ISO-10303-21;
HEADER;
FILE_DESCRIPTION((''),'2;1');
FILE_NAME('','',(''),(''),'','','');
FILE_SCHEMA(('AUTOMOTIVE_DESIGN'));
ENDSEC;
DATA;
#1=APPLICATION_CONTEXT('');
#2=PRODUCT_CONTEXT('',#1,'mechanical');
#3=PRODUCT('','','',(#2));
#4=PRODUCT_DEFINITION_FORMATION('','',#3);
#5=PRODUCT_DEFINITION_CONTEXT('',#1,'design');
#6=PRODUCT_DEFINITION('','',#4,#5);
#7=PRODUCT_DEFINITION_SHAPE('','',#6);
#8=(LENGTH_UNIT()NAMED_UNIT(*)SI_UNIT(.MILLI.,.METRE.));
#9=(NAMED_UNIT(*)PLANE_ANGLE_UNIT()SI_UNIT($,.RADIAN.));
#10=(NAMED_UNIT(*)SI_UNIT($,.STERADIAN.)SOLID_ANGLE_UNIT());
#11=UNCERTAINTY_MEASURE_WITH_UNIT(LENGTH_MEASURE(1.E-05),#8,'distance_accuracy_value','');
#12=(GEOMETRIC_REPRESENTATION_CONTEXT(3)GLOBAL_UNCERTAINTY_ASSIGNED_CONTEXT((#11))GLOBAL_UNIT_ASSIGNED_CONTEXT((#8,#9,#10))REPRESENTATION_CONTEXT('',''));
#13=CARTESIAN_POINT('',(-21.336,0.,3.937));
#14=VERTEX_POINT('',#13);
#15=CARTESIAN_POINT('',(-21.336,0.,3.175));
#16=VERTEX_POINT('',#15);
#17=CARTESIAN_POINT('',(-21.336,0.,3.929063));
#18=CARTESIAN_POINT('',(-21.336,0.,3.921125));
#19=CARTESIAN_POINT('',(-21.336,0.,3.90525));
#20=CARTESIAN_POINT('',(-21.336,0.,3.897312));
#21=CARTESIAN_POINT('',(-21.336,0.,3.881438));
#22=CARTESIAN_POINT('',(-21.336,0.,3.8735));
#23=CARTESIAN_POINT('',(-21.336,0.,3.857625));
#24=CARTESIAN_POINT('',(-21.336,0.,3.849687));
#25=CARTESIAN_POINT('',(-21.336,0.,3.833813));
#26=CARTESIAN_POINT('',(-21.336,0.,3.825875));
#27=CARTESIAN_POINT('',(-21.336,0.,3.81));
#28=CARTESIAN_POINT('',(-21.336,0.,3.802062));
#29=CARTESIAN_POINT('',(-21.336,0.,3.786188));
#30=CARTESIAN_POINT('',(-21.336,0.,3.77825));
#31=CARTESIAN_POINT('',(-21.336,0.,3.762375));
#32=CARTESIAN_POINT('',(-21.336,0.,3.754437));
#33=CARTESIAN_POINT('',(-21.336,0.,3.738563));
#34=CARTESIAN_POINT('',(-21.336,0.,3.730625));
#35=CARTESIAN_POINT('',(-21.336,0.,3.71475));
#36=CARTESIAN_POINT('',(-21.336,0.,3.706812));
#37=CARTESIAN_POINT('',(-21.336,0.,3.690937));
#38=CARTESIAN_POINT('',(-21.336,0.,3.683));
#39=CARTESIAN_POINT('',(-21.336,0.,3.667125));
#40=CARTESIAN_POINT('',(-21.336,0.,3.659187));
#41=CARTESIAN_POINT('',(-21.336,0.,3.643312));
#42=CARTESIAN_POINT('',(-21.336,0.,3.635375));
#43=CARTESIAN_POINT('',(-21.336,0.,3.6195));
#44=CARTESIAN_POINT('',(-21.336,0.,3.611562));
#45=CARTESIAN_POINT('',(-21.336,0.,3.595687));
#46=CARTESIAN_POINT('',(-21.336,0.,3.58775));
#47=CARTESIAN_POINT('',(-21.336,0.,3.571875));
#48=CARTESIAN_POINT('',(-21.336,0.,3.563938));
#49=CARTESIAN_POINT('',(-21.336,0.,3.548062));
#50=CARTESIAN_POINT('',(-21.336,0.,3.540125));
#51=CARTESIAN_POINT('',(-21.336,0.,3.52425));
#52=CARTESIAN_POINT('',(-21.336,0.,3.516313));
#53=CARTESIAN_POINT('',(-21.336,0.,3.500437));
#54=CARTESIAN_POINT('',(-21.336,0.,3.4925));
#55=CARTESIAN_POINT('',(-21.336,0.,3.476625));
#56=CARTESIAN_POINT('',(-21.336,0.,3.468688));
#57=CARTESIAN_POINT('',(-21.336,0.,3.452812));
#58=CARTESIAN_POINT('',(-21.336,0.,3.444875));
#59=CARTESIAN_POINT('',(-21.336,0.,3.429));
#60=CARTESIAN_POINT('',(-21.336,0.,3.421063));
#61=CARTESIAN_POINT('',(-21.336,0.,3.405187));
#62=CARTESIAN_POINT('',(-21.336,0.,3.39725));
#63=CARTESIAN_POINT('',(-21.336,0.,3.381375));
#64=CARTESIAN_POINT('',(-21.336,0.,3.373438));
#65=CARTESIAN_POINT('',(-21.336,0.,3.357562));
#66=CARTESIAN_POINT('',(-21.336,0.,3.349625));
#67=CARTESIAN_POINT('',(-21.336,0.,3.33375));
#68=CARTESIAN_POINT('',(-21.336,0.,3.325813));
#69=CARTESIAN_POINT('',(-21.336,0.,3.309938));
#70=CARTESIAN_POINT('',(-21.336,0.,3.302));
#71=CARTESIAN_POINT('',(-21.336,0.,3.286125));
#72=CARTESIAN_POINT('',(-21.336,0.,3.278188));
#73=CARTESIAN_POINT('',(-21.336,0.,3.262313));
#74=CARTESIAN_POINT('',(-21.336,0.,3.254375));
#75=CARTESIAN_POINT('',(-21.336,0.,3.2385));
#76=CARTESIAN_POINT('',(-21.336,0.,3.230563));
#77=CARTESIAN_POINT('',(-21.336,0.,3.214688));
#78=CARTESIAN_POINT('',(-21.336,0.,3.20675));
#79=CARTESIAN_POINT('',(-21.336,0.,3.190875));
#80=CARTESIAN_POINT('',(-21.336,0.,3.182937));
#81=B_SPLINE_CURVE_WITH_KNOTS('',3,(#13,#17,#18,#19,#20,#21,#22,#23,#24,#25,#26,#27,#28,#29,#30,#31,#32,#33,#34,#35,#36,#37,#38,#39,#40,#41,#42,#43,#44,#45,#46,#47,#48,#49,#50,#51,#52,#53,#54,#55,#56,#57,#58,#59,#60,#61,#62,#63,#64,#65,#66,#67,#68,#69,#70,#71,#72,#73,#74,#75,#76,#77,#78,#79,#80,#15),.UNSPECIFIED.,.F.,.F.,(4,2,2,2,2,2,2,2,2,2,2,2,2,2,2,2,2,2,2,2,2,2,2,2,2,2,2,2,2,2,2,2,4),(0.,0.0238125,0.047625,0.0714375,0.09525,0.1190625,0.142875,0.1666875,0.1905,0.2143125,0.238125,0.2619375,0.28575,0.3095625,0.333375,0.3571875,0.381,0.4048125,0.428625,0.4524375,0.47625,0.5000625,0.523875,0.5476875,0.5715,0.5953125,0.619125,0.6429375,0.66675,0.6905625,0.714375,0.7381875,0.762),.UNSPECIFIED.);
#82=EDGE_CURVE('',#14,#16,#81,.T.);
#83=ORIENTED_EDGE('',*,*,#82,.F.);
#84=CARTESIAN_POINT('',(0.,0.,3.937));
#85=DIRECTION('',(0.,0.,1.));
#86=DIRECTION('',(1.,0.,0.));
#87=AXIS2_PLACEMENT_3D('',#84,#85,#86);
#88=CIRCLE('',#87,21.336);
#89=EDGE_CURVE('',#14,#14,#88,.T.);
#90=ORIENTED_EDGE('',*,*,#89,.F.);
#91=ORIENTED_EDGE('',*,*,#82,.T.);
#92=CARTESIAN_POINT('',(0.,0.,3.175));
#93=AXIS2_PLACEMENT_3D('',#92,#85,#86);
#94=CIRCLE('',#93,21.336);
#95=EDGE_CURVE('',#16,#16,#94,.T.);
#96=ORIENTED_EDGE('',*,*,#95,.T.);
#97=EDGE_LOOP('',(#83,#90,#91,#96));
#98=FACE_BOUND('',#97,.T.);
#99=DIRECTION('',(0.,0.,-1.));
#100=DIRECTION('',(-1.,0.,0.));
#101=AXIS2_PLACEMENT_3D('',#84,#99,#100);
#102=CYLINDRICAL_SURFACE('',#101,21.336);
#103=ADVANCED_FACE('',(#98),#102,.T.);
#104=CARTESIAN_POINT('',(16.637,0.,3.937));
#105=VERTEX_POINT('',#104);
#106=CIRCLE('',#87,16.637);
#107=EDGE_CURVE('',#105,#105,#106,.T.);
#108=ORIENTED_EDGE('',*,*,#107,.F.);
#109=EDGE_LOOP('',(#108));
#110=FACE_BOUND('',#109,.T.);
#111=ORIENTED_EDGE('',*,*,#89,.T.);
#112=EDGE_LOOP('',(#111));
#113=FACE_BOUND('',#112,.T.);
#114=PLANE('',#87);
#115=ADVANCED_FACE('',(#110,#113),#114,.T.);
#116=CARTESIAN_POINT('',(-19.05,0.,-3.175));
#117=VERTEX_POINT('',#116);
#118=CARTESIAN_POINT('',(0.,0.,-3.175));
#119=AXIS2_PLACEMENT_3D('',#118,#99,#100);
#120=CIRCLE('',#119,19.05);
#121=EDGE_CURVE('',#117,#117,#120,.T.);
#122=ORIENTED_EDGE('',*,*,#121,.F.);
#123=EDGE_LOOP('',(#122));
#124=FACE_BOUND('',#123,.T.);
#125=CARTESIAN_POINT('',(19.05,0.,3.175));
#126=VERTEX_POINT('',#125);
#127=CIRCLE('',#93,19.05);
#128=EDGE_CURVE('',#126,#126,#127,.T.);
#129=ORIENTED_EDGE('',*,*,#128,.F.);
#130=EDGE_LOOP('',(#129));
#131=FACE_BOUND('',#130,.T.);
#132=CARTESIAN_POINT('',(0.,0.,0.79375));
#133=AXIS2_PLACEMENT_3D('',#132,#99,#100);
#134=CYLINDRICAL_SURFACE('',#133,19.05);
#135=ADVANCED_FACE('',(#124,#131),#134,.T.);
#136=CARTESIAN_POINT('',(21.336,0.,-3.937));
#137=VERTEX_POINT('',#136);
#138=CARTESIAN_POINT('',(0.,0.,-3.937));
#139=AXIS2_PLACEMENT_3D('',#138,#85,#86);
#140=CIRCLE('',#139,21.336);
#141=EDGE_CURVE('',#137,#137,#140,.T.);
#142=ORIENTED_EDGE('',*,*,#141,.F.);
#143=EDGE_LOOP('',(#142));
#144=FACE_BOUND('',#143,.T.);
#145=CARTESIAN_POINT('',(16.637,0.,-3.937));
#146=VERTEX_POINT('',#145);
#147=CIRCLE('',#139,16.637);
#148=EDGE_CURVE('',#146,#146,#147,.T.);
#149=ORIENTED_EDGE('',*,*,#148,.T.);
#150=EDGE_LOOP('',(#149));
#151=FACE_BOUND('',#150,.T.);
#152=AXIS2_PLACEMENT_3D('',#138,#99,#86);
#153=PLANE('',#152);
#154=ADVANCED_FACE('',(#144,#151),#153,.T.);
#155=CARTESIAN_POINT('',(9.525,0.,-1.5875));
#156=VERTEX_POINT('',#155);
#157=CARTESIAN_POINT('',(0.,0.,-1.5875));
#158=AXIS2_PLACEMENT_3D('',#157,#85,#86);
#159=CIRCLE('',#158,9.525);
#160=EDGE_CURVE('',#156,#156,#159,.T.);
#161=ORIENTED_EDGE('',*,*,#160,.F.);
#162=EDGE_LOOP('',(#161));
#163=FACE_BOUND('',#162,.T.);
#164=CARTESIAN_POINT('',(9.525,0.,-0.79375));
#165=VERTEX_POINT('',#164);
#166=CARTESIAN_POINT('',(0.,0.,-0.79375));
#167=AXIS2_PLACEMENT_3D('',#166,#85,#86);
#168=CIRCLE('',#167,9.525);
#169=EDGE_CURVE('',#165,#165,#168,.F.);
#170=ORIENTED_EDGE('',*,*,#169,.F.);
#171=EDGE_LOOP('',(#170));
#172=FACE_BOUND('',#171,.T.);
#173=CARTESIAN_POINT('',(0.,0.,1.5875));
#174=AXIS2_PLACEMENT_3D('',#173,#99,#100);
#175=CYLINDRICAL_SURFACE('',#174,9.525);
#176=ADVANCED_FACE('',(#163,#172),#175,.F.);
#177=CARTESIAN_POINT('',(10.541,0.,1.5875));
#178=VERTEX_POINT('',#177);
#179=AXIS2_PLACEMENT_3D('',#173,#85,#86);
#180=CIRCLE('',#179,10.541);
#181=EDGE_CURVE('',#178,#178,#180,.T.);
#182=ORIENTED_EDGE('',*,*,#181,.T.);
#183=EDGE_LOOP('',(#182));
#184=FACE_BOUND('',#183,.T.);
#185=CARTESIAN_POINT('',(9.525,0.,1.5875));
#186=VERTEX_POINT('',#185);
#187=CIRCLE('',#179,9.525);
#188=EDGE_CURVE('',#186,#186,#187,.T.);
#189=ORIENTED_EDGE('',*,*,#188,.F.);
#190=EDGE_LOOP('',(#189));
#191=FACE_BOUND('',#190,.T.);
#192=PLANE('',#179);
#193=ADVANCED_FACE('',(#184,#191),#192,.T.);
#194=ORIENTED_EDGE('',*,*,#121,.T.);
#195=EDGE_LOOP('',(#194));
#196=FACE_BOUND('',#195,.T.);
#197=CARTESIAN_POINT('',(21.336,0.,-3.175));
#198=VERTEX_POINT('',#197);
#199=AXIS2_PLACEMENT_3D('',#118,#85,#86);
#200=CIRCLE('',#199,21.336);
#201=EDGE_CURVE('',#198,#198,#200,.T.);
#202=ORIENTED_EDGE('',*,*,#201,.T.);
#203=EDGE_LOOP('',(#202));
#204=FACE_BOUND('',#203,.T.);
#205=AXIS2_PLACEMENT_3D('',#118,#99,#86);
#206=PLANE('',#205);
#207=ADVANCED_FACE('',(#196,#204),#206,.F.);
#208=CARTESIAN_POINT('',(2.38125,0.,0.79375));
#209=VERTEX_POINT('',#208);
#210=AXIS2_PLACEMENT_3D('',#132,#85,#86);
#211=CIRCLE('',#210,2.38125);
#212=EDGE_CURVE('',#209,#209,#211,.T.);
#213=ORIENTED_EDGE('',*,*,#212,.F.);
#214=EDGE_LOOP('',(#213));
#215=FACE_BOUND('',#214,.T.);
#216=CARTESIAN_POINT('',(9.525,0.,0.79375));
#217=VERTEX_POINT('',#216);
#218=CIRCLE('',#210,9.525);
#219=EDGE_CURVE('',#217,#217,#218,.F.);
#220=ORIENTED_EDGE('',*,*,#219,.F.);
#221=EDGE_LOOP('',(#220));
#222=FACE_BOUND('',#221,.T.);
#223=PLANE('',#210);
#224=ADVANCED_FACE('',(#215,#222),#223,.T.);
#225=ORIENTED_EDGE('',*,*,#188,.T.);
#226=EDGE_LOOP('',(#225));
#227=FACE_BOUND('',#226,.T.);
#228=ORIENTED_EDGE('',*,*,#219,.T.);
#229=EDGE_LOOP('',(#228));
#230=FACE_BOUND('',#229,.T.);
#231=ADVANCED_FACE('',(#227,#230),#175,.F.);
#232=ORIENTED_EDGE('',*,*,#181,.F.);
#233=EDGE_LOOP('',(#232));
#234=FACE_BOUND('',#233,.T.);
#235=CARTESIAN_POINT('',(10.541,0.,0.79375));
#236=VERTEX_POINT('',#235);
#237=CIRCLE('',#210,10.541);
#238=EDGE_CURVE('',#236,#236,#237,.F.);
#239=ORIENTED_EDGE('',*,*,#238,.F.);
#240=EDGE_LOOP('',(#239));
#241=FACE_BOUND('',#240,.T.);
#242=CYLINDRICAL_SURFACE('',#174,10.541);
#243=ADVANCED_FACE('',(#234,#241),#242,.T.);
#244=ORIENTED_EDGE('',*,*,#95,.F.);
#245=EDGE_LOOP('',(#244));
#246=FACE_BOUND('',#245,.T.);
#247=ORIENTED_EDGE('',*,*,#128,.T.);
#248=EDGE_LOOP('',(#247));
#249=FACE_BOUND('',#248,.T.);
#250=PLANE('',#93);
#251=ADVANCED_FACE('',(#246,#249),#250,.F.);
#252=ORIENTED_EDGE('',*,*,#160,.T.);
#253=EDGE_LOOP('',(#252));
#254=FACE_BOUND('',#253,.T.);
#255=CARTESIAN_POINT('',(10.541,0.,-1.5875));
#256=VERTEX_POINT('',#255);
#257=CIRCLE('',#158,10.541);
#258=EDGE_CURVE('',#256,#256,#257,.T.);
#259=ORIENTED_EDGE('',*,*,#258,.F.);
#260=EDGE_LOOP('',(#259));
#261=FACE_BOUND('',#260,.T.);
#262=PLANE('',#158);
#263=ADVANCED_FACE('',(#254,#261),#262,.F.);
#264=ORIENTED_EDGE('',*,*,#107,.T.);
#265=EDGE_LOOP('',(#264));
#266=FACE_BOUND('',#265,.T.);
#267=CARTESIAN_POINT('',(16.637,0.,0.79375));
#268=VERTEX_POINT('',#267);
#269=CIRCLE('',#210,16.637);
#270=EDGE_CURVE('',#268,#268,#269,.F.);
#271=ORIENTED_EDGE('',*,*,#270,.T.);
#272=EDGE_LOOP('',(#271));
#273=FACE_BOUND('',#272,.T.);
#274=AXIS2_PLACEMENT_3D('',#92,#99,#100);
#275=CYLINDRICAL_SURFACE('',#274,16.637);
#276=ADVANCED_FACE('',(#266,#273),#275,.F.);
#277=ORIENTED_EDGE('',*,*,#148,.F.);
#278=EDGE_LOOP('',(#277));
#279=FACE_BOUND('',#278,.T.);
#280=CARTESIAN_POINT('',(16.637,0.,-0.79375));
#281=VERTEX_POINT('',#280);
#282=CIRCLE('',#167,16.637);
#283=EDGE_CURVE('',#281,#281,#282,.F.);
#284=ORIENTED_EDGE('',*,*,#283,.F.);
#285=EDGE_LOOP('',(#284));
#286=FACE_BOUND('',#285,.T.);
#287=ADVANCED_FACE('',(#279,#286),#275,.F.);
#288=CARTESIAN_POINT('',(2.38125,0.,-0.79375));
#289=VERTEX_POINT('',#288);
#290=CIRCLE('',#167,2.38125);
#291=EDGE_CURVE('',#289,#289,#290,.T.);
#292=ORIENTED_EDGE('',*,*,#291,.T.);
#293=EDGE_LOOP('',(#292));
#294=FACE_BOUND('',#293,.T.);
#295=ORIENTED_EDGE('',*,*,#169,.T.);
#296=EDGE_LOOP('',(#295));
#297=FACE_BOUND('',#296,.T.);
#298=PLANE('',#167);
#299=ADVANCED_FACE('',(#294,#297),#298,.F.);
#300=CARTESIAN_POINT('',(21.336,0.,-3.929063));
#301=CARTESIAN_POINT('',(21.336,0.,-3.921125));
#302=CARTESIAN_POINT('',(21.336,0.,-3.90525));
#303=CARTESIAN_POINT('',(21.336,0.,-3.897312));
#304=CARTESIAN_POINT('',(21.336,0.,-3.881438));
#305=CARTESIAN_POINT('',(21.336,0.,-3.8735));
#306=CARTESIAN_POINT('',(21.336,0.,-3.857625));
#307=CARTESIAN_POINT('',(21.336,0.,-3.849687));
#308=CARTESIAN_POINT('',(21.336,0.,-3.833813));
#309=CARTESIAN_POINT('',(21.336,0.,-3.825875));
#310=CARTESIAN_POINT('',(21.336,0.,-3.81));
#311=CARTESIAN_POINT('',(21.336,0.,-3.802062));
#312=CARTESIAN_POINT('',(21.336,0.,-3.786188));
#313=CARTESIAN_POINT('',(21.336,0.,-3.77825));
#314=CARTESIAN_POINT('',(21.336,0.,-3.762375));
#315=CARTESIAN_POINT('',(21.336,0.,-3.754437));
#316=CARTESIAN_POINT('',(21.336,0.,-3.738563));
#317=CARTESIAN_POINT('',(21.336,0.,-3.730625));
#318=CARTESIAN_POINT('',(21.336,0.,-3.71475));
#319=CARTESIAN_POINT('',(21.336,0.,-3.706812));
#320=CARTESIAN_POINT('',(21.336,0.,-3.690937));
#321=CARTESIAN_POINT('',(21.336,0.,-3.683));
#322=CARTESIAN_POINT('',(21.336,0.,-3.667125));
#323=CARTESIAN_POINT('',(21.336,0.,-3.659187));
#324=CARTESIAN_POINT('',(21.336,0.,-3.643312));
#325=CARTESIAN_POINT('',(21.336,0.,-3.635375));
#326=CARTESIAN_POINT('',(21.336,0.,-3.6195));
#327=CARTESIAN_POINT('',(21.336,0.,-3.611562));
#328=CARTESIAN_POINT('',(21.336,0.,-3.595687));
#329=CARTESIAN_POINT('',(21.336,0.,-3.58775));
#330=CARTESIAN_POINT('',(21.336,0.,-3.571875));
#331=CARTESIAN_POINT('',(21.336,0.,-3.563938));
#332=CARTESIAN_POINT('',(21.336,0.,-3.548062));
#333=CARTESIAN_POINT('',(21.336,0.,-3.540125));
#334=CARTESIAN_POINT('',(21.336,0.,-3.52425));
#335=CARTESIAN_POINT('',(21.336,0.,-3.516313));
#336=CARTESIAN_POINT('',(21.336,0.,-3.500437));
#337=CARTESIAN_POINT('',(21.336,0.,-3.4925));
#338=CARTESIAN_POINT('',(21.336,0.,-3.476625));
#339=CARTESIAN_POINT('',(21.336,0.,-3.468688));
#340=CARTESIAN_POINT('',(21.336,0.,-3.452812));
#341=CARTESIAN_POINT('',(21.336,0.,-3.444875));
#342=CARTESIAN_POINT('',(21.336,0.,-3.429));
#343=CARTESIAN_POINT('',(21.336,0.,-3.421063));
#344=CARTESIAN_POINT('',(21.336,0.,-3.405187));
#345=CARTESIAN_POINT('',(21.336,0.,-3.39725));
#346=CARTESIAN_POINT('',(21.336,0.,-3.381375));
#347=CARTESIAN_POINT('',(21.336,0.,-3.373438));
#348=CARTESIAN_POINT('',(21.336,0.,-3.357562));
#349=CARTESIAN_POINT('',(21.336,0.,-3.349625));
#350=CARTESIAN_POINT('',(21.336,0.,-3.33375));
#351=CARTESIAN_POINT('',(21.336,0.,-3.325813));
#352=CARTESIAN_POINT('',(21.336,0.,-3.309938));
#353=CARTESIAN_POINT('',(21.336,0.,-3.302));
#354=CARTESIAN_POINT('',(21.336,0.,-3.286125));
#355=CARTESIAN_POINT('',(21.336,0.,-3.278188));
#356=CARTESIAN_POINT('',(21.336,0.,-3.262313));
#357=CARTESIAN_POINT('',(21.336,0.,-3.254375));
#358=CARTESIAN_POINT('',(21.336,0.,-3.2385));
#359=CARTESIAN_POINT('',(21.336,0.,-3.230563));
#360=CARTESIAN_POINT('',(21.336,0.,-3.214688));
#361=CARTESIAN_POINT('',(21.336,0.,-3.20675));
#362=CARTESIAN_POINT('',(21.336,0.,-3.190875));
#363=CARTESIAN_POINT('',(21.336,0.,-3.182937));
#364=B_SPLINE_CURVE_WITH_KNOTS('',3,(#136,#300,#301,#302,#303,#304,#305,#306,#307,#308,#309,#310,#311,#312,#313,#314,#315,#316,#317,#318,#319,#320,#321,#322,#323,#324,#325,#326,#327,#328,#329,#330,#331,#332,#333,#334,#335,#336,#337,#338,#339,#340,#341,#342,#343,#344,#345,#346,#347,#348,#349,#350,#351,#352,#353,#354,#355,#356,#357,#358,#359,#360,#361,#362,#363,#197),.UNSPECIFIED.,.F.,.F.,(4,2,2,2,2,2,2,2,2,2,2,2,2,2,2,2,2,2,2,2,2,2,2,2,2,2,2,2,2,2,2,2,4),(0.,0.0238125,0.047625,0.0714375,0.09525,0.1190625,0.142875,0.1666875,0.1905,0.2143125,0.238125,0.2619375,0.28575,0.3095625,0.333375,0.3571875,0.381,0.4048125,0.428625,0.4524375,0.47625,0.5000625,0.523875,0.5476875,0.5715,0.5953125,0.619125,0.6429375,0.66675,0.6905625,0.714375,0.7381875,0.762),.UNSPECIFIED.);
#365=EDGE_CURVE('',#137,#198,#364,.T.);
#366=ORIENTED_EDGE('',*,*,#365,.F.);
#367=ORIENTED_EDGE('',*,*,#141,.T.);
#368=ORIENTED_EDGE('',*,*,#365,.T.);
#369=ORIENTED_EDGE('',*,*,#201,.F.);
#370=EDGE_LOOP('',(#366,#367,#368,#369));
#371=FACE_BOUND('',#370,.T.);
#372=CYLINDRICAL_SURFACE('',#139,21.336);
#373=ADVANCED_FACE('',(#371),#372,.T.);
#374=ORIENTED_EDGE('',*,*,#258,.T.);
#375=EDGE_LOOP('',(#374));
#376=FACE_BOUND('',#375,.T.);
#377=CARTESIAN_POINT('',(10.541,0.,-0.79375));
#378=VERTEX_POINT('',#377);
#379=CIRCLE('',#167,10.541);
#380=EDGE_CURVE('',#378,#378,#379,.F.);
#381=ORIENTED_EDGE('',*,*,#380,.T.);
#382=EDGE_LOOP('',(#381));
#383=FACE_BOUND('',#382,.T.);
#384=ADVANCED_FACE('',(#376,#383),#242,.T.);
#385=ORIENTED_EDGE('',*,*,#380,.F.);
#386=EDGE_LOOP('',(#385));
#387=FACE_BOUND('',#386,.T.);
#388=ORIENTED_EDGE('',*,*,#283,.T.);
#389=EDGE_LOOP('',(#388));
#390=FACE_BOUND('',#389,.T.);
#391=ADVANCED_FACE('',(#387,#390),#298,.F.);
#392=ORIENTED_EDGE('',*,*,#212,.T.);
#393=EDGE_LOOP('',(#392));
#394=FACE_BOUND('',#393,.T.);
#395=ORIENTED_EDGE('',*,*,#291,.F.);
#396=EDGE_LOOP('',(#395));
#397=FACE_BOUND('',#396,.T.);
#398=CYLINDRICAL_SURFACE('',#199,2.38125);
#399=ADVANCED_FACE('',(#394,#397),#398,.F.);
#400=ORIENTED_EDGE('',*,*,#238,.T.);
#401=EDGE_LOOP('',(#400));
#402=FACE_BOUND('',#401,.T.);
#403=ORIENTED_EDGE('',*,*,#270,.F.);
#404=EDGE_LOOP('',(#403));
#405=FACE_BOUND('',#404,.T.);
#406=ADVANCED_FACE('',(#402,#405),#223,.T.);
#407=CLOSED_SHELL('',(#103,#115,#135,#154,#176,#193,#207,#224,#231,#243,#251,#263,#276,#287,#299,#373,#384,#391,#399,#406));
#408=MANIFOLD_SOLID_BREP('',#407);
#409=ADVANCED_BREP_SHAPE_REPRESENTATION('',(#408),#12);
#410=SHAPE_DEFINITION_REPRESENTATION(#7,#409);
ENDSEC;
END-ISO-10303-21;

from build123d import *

# Parameters (mm, degrees)
SKETCH1_R           = 19.05
BOSS_EXTRUDE1_DEPTH = 0.79375
SKETCH3_R           = 19.05
SKETCH3_R_2         = 16.637
BOSS_EXTRUDE2_DEPTH = 3.175
SKETCH4_R           = 10.541
SKETCH4_R_2         = 9.525
BOSS_EXTRUDE3_DEPTH = 1.5875
SKETCH6_R           = 2.38125
CUT_EXTRUDE4_DEPTH  = 28.231525417
SKETCH7_R           = 21.336
SKETCH7_R_2         = 16.637
BOSS_EXTRUDE5_DEPTH = 0.762


with BuildPart() as part:
    # Sketch1 → Boss-Extrude1 (new, symmetric)
    with BuildSketch(Plane.XY):
        Circle(SKETCH1_R)
    extrude(amount=BOSS_EXTRUDE1_DEPTH, both=True)

    # Sketch3 → Boss-Extrude2 (add, symmetric)
    with BuildSketch(Plane.XY):
        Circle(SKETCH3_R)
        Circle(SKETCH3_R_2, mode=Mode.SUBTRACT)
    extrude(amount=BOSS_EXTRUDE2_DEPTH, both=True)

    # Sketch4 → Boss-Extrude3 (add, symmetric)
    with BuildSketch(Plane.XY):
        Circle(SKETCH4_R)
        Circle(SKETCH4_R_2, mode=Mode.SUBTRACT)
    extrude(amount=BOSS_EXTRUDE3_DEPTH, both=True)

    # Sketch6 → Cut-Extrude4 (cut, through all)
    with BuildSketch(Plane.XY.offset(0.79375)):
        Circle(SKETCH6_R)
    extrude(amount=-CUT_EXTRUDE4_DEPTH, mode=Mode.SUBTRACT)

    # Sketch7 → Boss-Extrude5 (add)
    with BuildSketch(Plane.XY.offset(3.175)):
        with Locations(Location((0, 0, 0), (0, 0, 180))):
            Circle(SKETCH7_R)
        Circle(SKETCH7_R_2, mode=Mode.SUBTRACT)
    boss_extrude5 = extrude(amount=BOSS_EXTRUDE5_DEPTH)

    # Mirror3: Boss-Extrude5 across plane
    add(boss_extrude5.mirror(Plane.XY))


solid = part.part
